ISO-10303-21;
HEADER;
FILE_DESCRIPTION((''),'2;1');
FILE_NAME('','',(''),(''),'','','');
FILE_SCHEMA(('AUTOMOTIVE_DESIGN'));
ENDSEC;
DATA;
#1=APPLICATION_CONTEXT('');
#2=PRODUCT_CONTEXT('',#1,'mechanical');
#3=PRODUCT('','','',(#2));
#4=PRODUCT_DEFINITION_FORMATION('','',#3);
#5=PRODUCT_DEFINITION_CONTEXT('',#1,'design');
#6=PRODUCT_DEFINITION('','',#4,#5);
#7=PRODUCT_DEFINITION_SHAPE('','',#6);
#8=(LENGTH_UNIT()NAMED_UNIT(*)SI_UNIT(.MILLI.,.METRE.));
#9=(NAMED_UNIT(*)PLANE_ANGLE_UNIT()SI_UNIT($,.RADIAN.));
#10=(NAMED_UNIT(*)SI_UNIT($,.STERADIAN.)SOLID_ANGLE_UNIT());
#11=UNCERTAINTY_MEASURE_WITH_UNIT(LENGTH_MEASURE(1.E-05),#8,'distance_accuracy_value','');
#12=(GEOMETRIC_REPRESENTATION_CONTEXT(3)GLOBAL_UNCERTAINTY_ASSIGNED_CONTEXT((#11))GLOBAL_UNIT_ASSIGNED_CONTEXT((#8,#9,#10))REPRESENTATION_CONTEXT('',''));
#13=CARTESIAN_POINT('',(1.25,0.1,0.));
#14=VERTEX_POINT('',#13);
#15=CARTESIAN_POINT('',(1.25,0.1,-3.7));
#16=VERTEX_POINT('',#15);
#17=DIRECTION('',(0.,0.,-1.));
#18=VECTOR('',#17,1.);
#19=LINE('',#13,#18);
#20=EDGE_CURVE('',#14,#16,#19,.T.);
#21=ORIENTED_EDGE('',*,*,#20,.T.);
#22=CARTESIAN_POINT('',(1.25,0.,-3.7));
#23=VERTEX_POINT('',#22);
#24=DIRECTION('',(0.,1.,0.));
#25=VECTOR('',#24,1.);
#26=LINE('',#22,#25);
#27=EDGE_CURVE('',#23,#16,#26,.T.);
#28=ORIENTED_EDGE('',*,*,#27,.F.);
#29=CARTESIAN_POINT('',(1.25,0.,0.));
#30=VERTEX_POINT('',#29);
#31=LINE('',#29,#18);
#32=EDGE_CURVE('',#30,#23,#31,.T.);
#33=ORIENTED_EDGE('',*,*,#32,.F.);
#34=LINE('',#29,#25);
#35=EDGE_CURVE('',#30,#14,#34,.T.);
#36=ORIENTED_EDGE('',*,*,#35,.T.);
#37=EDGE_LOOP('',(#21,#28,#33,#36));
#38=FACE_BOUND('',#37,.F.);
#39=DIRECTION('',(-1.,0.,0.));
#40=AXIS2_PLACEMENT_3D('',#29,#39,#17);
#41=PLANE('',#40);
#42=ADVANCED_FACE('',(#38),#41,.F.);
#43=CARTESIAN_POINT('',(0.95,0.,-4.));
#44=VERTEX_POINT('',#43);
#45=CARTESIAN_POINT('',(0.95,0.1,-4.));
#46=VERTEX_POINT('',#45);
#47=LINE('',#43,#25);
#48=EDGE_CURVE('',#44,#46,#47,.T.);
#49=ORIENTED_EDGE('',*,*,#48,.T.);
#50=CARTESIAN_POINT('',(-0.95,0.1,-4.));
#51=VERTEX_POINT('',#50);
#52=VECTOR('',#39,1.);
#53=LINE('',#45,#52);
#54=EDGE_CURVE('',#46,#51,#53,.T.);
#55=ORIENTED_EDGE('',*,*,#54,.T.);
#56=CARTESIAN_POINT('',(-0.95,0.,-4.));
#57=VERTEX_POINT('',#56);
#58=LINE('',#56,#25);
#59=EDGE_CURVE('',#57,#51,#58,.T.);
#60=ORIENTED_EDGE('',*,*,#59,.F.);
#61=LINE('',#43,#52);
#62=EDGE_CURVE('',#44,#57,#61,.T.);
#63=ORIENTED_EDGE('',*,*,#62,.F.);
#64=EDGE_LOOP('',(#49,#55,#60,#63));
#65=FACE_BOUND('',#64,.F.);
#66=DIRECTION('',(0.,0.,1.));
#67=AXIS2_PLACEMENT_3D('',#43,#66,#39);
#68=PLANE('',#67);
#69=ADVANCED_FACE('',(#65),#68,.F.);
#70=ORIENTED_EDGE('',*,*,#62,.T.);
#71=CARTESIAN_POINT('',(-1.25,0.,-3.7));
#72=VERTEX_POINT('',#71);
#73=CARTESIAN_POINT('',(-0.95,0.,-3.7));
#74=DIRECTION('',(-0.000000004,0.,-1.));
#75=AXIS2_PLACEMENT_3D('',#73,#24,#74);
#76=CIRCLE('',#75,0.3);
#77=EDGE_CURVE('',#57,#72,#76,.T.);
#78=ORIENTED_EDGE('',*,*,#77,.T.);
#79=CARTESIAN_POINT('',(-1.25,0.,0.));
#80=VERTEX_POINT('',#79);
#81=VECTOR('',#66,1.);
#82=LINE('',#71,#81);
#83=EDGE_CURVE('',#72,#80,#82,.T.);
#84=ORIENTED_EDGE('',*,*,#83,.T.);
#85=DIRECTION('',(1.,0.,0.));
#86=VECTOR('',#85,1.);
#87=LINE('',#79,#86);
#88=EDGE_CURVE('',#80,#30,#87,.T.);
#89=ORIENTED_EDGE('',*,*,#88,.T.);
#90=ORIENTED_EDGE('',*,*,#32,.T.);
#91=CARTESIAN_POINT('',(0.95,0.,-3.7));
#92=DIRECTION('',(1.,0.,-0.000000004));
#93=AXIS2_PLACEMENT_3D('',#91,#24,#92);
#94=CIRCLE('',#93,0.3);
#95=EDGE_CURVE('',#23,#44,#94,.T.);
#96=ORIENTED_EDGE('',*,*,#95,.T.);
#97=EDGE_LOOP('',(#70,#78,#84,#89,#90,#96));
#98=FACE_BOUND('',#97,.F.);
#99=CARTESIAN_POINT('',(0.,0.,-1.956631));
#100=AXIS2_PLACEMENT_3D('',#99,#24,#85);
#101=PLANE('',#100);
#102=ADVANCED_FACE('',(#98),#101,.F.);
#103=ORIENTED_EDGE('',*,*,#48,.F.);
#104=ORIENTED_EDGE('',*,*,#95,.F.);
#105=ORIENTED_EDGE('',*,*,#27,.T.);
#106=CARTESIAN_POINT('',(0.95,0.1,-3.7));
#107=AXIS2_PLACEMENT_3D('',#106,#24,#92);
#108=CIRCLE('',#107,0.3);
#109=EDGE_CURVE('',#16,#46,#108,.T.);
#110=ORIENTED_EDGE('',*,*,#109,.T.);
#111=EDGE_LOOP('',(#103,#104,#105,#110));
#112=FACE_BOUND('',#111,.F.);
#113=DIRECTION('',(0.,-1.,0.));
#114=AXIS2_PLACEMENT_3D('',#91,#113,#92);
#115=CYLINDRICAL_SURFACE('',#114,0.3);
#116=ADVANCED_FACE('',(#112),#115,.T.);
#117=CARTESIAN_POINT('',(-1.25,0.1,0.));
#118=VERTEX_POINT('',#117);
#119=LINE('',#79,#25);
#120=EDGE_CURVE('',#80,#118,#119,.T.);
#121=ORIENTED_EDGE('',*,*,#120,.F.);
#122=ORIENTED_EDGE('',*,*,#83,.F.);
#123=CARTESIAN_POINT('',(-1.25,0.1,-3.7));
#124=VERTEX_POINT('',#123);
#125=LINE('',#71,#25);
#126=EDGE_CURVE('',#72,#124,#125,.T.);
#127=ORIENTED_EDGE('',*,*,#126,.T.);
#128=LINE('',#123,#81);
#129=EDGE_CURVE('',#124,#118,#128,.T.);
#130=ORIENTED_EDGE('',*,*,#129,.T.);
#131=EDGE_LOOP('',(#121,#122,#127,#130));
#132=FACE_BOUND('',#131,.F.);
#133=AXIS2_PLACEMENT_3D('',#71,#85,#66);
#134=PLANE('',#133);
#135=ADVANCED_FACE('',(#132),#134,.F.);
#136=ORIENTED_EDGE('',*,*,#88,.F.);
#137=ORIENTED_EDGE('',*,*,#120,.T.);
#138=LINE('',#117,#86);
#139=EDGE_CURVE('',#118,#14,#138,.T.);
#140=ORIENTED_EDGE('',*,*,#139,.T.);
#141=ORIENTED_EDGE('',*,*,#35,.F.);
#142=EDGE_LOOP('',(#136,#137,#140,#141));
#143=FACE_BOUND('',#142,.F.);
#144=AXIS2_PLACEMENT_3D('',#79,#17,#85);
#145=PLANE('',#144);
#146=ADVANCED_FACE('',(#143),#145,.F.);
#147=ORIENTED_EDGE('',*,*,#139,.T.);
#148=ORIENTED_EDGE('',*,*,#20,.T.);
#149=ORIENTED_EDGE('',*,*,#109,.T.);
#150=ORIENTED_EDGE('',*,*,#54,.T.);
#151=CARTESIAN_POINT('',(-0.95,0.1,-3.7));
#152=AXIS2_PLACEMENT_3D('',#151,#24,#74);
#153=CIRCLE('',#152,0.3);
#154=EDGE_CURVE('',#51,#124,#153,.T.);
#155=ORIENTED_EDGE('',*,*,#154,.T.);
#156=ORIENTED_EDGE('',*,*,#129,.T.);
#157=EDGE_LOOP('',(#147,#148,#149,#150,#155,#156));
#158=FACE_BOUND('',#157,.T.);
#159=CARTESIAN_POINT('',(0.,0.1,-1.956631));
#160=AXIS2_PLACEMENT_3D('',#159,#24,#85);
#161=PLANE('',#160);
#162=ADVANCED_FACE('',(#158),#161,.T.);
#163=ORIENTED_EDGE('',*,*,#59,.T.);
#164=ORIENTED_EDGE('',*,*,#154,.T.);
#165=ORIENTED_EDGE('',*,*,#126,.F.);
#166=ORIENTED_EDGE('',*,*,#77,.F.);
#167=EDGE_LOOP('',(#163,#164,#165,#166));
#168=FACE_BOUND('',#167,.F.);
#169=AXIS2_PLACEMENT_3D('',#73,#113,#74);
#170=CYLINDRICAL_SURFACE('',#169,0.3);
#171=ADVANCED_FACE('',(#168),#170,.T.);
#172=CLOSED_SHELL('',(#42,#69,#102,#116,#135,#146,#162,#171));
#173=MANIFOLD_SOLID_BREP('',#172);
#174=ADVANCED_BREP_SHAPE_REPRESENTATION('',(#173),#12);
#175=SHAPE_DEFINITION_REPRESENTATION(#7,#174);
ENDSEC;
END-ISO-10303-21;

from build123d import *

# Parameters (mm, degrees)
BOSS_EXTRUDE1_DEPTH = 0.1


with BuildPart() as part:
    # Sketch1 → Boss-Extrude1 (new body)
    with BuildSketch(Plane(origin=(0, 0, 0), x_dir=(1, 0, 0), z_dir=(0, 1, 0))):
        with BuildLine():
            Line((0, 0), (1.25, 0))
            Line((1.25, 0), (1.25, 3.7))
            ThreePointArc((1.25, 3.7), (1.162132034, 3.912132034), (0.95, 4))
            Line((0.95, 4), (-0.95, 4))
            ThreePointArc((-0.95, 4), (-1.162132034, 3.912132034), (-1.25, 3.7))
            Line((-1.25, 3.7), (-1.25, 0))
            Line((-1.25, 0), (0, 0))
        make_face()
    extrude(amount=BOSS_EXTRUDE1_DEPTH)


solid = part.part
